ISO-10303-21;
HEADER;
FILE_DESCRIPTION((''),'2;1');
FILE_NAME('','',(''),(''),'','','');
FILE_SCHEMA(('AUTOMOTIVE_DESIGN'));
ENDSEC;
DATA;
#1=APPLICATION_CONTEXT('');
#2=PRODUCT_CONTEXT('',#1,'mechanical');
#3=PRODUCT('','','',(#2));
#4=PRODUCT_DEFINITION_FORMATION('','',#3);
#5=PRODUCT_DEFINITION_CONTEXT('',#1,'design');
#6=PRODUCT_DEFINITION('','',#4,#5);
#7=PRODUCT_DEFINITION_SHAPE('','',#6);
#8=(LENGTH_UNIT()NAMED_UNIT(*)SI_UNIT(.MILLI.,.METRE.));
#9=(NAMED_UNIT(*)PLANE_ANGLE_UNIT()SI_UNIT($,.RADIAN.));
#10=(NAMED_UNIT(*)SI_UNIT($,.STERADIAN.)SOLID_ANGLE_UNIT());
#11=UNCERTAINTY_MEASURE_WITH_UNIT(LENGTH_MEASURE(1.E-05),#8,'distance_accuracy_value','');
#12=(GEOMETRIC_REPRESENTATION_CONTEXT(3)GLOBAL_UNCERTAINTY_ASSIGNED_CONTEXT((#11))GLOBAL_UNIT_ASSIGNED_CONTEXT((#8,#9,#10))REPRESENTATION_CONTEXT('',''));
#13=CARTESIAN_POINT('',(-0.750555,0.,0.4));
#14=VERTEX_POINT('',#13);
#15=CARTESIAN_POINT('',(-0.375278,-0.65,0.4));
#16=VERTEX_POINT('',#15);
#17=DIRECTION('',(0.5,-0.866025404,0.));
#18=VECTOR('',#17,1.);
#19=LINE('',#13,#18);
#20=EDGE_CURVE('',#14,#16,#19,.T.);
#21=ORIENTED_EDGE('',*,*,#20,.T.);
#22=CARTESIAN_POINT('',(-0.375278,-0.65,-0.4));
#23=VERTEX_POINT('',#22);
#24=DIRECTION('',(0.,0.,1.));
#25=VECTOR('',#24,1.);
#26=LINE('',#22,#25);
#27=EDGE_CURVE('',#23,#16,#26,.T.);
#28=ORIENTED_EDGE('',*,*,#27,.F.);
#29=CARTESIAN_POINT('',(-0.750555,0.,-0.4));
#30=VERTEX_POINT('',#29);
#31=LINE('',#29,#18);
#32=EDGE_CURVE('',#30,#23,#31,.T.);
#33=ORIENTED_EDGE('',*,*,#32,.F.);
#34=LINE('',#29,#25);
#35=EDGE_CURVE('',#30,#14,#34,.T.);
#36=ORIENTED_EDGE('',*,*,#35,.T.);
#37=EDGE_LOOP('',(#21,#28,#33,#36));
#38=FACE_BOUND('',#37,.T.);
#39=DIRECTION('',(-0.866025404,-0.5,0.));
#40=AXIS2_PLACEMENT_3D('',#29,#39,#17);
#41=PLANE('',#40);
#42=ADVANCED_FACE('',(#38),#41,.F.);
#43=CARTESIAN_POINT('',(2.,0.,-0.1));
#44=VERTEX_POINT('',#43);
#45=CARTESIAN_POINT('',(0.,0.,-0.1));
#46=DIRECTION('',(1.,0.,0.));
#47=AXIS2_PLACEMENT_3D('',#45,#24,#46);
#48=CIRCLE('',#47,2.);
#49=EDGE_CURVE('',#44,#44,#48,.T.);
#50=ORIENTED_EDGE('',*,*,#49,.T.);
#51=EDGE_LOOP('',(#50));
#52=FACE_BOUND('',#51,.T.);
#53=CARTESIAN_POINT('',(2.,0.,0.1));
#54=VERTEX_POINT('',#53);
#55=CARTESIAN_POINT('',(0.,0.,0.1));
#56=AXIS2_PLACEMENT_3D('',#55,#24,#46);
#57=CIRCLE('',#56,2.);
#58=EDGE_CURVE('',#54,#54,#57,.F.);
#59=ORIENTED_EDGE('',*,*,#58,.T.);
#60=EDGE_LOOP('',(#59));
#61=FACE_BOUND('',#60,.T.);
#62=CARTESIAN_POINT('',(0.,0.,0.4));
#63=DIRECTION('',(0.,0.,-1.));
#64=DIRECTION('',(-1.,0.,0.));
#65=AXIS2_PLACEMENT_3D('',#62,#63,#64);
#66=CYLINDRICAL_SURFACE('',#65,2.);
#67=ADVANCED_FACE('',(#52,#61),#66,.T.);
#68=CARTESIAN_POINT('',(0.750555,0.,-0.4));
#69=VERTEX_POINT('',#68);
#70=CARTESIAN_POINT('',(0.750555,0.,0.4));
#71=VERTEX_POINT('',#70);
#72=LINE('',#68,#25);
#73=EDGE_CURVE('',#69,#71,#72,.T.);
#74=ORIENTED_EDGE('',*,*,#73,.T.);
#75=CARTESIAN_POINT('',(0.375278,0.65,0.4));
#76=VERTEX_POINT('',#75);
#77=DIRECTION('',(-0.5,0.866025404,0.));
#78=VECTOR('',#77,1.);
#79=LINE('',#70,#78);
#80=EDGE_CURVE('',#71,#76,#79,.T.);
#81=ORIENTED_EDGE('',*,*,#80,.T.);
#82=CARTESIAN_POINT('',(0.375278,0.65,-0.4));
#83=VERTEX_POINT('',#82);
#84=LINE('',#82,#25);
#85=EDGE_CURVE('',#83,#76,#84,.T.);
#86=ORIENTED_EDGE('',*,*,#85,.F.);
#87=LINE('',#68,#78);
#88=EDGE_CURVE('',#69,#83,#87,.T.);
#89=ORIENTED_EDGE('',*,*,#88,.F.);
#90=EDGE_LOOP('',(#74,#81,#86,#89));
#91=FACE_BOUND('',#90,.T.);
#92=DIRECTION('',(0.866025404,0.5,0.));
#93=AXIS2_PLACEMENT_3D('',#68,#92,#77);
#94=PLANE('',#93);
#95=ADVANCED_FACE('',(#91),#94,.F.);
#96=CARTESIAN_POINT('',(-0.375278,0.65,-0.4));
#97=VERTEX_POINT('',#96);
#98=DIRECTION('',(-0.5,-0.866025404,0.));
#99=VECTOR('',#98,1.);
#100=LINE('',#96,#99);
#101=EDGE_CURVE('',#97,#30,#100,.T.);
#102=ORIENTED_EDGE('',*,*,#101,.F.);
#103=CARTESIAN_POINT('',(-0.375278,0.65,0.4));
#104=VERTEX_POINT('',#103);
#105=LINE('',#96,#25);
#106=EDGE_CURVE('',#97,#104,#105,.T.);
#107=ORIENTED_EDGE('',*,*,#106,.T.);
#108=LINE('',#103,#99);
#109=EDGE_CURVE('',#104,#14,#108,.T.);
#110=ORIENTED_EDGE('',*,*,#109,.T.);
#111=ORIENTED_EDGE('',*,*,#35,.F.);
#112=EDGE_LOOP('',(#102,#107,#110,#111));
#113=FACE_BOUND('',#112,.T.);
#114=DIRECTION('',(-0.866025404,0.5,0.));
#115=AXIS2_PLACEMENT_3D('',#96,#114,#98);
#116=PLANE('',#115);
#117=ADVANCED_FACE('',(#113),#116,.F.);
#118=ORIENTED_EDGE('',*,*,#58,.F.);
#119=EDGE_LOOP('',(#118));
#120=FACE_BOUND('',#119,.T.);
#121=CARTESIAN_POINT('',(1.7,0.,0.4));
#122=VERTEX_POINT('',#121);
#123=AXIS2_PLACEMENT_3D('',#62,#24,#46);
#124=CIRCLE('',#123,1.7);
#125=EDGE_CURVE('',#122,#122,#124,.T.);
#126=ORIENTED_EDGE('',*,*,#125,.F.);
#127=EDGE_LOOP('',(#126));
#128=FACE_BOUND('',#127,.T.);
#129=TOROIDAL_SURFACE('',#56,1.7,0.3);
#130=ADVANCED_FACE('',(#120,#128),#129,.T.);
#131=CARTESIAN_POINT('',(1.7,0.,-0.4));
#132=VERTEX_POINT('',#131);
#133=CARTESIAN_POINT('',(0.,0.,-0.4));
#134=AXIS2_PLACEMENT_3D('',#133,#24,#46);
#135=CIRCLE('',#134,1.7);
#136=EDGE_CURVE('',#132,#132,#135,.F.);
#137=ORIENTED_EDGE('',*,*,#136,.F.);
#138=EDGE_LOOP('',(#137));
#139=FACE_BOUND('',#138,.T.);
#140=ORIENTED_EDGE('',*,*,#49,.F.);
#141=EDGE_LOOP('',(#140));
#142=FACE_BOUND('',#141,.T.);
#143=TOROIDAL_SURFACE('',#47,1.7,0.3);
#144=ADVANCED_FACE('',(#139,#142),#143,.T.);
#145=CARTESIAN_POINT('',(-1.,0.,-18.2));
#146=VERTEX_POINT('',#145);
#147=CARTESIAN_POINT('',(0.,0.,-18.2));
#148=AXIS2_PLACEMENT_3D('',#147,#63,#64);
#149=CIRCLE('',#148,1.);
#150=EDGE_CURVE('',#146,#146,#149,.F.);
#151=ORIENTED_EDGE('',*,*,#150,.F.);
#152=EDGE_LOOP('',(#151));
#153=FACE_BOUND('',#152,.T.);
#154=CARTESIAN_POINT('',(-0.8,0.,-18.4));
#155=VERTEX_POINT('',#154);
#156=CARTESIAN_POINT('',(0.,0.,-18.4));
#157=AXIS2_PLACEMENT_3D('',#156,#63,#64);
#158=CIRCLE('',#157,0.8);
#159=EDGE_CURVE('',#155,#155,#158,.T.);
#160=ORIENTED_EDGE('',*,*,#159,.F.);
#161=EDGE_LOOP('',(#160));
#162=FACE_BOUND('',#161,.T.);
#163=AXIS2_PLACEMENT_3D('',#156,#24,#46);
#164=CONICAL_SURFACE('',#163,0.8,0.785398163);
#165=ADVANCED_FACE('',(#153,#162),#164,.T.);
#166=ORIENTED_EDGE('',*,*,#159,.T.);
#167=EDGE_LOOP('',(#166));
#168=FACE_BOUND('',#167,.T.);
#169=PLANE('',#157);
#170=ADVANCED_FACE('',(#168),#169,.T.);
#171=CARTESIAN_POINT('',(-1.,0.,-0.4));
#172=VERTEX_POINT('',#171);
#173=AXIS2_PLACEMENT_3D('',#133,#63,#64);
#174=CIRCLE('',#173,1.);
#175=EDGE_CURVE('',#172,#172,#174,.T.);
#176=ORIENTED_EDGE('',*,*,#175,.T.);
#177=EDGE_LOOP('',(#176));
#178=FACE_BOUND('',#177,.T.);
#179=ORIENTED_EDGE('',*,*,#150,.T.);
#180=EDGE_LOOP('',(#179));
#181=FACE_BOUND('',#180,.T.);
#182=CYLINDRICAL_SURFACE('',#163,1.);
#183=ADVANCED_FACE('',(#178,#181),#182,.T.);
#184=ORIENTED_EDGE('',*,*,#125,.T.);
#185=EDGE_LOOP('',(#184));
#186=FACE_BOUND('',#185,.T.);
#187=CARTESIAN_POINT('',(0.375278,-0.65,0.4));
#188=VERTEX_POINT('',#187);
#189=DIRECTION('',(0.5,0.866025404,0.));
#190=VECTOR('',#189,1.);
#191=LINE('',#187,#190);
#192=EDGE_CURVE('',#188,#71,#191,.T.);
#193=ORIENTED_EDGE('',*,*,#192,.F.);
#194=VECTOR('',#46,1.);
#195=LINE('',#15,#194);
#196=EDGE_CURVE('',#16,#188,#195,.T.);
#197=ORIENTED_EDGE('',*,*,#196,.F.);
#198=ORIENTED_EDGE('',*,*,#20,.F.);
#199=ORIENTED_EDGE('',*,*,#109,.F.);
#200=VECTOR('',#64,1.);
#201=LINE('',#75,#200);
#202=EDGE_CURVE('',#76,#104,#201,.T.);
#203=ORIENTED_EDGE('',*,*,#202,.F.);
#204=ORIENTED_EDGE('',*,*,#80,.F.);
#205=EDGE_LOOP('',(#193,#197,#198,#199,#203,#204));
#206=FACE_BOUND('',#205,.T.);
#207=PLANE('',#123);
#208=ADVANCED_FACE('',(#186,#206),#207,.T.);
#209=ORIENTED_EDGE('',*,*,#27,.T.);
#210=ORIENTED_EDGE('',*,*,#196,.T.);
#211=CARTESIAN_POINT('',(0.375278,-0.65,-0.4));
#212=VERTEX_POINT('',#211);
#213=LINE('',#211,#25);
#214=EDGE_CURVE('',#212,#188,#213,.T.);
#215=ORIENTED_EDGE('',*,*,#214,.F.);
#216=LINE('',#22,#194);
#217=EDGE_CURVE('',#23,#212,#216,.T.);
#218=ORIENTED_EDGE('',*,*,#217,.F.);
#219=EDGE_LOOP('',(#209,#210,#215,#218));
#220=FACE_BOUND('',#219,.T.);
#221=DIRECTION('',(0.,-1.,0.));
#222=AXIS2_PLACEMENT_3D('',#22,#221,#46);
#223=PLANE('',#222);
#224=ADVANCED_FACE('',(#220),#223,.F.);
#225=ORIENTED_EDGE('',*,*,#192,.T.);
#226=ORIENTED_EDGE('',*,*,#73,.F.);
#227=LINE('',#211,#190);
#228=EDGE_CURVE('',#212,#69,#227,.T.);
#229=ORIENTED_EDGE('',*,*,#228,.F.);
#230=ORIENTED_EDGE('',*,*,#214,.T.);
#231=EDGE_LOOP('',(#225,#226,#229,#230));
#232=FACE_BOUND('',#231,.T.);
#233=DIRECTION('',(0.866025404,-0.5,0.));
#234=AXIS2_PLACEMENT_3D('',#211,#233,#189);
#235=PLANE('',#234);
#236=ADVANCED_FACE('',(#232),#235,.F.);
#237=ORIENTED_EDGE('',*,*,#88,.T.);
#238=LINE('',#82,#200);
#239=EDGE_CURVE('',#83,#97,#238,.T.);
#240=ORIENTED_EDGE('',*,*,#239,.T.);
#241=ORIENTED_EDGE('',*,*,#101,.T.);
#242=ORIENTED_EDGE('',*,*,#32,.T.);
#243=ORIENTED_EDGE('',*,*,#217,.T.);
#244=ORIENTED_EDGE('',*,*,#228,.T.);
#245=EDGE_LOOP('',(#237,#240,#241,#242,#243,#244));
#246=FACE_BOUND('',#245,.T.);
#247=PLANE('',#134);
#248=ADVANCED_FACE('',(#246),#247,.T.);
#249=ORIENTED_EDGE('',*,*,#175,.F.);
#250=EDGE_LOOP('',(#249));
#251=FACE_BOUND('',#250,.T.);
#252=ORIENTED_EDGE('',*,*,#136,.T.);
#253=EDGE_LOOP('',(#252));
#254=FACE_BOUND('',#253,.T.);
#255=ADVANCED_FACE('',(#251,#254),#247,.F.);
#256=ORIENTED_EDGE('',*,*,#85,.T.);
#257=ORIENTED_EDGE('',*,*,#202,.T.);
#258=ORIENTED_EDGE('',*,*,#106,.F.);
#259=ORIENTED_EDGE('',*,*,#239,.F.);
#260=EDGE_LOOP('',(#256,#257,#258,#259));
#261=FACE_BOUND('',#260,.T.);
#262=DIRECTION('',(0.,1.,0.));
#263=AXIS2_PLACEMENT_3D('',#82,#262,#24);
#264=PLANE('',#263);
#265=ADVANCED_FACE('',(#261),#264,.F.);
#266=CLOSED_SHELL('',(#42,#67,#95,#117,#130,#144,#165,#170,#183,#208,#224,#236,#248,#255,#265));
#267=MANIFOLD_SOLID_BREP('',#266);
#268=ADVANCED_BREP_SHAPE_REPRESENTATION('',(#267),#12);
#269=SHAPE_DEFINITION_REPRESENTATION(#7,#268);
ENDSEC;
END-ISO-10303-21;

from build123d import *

# Parameters (mm, degrees)
SKETCH_1_R          = 2
EXTRUDE_1_DEPTH     = 0.4
SKETCH_2_R          = 1
EXTRUDE_2_DEPTH     = 18
CHAMFER_1_SIZE      = 0.2
CUT_EXTRUDE_1_DEPTH = 0.8
FILLET_2_R          = 0.3


with BuildPart() as part:
    # 草图1 → 凸台-拉伸1 (new body, symmetric)
    with BuildSketch(Plane.XY):
        Circle(SKETCH_1_R)
    extrude(amount=EXTRUDE_1_DEPTH, both=True)

    # 草图2 → 凸台-拉伸2 (add)
    with BuildSketch(Plane(origin=(0, 0, -0.4), x_dir=(-1, 0, 0), z_dir=(0, 0, -1))):
        Circle(SKETCH_2_R)
    extrude(amount=EXTRUDE_2_DEPTH)

    # 倒角1
    chamfer_1_edges = [part.edges().sort_by_distance(p)[0] for p in [
        (1, 0, -18.4),
    ]]
    chamfer(chamfer_1_edges, length=CHAMFER_1_SIZE)

    # 草图3 → 切除-拉伸1 (cut)
    with BuildSketch(Plane.XY.offset(0.4)):
        Polygon((0.75055535, 0), (0.375277675, 0.65), (-0.375277675, 0.65), (-0.75055535, 0), (-0.375277675, -0.65), (0.375277675, -0.65), align=None)
    extrude(amount=-CUT_EXTRUDE_1_DEPTH, mode=Mode.SUBTRACT)

    # 圆角2
    fillet_2_edges = [part.edges().sort_by_distance(p)[0] for p in [
        (-2, 0, -0.4),
        (-2, 0, 0.4),
    ]]
    fillet(fillet_2_edges, radius=FILLET_2_R)


solid = part.part
